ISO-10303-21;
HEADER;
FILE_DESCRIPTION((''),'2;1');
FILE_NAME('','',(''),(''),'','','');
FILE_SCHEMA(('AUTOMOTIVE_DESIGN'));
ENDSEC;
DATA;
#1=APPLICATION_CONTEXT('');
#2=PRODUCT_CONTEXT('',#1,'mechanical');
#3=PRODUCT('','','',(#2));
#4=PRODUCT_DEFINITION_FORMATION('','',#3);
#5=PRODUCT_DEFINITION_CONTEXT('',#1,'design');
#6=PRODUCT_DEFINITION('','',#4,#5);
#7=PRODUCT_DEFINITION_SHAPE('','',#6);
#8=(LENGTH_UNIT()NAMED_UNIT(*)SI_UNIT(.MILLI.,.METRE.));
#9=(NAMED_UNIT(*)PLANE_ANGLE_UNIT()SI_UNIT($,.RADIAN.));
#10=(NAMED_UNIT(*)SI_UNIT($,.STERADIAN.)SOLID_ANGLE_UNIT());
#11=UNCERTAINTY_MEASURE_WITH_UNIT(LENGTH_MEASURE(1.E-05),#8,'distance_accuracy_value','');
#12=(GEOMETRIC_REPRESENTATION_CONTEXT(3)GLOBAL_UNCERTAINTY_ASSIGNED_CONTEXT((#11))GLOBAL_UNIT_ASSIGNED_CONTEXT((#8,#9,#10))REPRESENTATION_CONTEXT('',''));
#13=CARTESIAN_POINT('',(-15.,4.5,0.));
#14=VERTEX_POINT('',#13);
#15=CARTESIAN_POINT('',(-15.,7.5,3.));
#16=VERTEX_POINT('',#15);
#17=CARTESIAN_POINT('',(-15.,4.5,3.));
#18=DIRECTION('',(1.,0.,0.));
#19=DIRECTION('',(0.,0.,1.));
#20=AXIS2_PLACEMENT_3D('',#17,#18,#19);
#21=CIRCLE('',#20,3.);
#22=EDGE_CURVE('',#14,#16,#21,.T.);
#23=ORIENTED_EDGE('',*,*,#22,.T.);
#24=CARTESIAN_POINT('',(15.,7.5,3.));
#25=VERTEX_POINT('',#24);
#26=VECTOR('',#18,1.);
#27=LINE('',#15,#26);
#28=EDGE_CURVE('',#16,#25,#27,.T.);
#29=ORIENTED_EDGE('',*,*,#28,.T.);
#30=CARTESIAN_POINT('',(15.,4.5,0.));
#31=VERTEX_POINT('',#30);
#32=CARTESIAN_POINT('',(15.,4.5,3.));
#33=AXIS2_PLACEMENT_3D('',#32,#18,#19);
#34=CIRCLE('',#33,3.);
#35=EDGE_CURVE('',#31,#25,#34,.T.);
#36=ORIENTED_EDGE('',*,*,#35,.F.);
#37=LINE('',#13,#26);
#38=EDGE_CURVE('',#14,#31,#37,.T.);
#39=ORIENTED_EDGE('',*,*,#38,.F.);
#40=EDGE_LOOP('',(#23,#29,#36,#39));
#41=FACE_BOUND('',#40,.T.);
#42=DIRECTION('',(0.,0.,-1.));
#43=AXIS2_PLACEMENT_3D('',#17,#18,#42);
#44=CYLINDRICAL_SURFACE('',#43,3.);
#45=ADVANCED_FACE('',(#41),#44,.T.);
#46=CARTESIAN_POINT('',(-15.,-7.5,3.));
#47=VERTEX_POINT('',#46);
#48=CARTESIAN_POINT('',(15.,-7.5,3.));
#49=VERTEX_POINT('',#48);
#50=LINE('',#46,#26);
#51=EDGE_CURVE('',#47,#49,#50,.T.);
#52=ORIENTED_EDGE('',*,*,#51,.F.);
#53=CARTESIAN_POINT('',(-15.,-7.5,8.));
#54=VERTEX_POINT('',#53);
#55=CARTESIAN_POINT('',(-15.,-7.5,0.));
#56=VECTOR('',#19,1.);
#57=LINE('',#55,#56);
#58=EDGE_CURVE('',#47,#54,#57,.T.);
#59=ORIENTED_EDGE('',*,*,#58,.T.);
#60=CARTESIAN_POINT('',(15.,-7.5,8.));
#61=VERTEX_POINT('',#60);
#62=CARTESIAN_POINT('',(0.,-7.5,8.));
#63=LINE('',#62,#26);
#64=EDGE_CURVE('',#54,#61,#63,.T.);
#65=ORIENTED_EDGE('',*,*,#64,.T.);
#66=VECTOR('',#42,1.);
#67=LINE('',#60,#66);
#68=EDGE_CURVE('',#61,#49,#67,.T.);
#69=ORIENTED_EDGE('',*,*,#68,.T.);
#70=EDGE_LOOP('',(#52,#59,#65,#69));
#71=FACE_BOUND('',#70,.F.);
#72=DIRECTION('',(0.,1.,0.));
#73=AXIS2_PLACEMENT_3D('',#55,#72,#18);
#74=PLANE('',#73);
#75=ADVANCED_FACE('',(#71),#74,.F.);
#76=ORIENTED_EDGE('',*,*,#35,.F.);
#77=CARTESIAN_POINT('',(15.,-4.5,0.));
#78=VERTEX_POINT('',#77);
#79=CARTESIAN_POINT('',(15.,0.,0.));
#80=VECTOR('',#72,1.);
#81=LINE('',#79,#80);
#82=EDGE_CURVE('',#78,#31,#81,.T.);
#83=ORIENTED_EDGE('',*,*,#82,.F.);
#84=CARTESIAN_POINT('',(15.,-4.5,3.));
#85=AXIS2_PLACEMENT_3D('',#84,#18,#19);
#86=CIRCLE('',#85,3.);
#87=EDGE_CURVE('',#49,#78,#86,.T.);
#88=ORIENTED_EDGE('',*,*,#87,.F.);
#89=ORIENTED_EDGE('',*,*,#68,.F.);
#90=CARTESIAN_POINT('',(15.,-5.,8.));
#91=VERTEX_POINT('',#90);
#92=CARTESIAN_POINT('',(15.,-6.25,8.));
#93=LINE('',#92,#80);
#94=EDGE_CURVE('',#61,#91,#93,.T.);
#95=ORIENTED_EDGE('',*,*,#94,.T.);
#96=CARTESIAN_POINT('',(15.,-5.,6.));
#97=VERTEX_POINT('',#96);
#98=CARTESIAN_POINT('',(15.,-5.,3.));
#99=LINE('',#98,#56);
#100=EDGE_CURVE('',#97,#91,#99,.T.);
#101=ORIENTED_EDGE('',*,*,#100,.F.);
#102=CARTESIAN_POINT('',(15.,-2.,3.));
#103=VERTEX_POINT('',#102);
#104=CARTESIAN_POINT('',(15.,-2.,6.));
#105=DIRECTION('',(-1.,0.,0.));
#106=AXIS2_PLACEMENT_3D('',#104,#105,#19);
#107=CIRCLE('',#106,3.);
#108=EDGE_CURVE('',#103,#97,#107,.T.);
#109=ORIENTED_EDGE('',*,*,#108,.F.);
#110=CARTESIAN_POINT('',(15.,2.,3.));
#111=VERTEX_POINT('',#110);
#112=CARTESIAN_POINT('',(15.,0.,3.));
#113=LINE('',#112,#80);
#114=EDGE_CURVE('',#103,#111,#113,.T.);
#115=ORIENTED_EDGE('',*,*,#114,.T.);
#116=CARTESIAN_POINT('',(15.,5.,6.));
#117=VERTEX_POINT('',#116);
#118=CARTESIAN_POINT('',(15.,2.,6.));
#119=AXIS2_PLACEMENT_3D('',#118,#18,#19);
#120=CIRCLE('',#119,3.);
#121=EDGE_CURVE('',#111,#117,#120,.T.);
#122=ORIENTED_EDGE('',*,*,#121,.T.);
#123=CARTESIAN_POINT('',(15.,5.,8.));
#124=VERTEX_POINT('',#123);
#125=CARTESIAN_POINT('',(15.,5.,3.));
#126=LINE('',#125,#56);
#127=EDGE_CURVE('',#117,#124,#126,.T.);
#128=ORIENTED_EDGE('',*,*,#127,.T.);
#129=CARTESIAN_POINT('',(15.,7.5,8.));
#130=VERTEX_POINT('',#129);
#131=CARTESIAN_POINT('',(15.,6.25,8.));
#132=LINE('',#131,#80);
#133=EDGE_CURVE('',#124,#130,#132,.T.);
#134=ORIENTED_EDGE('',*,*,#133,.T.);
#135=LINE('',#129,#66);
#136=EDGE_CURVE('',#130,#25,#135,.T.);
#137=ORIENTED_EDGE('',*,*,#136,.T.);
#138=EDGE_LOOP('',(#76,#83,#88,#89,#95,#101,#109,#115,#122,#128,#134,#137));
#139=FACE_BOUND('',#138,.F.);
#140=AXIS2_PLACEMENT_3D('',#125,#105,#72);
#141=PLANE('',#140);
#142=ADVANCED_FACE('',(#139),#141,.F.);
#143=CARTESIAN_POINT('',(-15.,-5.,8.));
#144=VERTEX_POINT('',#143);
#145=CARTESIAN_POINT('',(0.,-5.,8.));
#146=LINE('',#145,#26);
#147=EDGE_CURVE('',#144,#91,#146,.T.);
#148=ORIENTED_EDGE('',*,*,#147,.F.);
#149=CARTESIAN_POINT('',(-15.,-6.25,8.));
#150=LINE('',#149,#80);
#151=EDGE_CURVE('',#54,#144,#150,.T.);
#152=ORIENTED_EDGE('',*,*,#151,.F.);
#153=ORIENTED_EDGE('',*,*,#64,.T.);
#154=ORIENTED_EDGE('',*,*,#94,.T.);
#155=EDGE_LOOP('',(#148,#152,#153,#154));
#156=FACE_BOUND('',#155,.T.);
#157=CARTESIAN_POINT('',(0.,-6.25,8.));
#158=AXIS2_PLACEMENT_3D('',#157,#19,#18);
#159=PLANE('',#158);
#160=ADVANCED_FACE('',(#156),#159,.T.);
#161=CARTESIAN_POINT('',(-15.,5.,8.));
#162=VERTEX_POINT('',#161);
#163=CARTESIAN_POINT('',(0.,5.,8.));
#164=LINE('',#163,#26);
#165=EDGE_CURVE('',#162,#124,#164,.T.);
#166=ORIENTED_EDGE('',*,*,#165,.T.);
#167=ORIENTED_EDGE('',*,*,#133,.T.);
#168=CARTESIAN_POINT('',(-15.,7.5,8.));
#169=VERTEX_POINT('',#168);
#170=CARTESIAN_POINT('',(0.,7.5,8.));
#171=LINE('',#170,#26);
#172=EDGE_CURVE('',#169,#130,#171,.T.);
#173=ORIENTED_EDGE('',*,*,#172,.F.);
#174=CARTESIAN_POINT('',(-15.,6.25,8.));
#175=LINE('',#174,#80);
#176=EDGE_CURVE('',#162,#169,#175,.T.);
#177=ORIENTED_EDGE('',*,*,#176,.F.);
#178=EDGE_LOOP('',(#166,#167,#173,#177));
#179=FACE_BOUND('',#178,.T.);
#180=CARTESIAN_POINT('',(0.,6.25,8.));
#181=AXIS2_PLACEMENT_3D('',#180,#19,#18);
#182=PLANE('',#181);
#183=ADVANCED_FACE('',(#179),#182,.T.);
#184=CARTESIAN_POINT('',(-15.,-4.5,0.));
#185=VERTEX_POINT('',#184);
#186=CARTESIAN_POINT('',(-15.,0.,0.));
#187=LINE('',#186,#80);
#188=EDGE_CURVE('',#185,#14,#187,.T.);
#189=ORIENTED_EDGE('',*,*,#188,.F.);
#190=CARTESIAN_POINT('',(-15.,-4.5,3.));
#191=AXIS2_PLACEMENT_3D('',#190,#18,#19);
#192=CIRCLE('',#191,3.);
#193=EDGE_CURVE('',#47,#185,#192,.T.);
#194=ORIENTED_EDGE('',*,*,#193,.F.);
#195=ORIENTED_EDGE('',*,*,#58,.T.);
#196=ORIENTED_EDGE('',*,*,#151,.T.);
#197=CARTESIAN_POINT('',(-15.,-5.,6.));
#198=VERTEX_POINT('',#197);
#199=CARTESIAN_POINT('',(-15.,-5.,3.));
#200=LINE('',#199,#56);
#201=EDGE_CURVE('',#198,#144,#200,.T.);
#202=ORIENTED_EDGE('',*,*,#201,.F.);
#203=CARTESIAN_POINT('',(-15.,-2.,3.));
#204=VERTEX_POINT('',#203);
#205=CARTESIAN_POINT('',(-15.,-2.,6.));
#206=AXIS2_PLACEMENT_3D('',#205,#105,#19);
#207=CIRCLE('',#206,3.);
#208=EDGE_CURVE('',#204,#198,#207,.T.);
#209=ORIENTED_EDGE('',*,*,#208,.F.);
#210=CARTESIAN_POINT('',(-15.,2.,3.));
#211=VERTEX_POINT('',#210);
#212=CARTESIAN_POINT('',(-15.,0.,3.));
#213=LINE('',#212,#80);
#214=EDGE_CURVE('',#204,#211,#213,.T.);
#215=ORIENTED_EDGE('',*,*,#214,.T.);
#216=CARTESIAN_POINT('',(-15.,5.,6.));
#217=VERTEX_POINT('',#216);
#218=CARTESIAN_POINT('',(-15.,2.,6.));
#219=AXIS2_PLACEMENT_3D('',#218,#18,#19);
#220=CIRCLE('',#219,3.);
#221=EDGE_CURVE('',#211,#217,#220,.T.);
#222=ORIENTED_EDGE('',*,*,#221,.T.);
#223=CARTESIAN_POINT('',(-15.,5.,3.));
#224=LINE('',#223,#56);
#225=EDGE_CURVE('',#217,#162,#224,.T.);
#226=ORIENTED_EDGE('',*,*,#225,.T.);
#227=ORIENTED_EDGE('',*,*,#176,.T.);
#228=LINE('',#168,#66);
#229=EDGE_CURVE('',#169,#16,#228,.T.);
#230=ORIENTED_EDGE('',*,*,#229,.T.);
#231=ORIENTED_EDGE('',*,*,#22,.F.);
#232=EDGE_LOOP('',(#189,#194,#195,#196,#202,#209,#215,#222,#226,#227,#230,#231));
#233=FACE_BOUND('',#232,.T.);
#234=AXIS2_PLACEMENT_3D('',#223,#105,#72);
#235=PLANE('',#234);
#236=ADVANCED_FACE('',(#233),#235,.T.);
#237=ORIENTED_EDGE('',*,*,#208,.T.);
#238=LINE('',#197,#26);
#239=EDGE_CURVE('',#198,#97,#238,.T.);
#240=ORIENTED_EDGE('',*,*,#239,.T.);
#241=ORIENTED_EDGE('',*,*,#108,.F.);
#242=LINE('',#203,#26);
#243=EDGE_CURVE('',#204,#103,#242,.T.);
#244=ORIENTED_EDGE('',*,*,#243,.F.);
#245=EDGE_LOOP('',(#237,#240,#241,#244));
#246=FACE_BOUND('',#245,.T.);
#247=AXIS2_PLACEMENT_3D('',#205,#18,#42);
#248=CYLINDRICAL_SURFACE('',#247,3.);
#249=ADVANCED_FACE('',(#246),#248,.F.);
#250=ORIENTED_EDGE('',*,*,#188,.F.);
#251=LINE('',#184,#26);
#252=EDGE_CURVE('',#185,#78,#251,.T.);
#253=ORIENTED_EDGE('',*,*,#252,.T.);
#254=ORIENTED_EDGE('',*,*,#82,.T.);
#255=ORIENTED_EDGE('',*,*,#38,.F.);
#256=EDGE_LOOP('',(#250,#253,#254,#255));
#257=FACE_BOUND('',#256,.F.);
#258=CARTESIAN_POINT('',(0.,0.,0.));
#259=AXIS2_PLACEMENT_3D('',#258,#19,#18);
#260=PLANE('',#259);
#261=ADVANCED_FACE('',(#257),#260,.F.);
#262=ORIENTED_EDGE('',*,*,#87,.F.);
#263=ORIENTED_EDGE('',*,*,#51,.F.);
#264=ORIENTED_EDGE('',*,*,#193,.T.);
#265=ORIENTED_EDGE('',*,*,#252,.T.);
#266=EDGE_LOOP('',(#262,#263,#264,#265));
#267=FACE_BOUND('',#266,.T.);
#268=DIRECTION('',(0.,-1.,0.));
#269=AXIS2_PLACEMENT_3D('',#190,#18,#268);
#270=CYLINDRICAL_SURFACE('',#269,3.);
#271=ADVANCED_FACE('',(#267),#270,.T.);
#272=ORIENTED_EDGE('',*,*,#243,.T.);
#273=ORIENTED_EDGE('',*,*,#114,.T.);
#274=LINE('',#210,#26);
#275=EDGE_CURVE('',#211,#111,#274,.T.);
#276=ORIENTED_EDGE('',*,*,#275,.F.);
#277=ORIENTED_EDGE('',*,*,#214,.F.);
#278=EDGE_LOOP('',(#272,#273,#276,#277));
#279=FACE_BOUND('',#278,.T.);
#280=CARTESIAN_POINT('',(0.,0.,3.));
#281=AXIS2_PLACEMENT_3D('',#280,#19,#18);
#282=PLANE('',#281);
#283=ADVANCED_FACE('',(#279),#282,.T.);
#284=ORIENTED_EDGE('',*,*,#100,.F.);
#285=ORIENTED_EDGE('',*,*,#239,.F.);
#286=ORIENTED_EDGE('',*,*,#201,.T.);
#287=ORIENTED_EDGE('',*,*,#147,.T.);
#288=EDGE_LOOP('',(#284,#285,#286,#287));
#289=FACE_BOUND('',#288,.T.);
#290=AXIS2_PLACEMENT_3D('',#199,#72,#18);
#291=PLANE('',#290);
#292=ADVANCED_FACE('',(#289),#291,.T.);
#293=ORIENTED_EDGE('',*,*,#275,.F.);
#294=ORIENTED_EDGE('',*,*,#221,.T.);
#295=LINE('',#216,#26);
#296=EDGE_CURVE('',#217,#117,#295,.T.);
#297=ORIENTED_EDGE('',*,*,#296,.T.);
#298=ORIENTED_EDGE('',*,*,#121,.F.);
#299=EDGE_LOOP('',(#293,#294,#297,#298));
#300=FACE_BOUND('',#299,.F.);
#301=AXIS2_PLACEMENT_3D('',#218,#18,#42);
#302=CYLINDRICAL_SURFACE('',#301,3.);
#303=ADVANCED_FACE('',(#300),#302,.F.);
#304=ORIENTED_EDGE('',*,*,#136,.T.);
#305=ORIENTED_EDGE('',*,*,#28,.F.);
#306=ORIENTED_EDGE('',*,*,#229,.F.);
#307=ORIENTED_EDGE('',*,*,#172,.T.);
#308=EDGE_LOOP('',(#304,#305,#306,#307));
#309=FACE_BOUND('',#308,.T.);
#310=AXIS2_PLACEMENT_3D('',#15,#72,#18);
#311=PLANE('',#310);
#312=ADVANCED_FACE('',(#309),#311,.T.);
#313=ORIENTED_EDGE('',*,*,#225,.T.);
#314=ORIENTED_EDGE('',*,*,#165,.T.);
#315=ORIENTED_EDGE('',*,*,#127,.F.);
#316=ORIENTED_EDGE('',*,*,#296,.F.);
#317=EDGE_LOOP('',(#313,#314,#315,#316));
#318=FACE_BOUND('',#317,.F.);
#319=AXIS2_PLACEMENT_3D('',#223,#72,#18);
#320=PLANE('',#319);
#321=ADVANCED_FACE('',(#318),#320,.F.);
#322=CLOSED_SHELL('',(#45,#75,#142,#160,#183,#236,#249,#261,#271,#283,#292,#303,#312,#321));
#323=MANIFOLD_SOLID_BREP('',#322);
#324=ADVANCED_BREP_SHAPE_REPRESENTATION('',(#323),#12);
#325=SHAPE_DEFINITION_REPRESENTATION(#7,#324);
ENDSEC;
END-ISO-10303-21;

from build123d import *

# Parameters (mm, degrees)
F0_W     = 30
F0_H     = 15
F1_DEPTH = 3
F2_W     = 30
F2_H     = 2.5
F3_DEPTH = 5
F4_R     = 3


with BuildPart() as f1:
    # F0 (on Top) → F1 (new body)
    with BuildSketch(Plane.XY):
        Rectangle(F0_W, F0_H)
    extrude(amount=F1_DEPTH)

    # F2 (on face) → F3 (join)
    with BuildSketch(Plane.XY.offset(3)):
        with Locations((0, 6.25)):
            Rectangle(F2_W, F2_H)
        with Locations((0, -6.25)):
            Rectangle(F2_W, F2_H)
    extrude(amount=F3_DEPTH)

    # F4
    f4_edges = [f1.edges().sort_by_distance(p)[0] for p in [
        (0, 5, 3),
        (0, -5, 3),
        (0, 7.5, 0),
        (0, -7.5, 0),
    ]]
    fillet(f4_edges, radius=F4_R)


solid = f1.part
